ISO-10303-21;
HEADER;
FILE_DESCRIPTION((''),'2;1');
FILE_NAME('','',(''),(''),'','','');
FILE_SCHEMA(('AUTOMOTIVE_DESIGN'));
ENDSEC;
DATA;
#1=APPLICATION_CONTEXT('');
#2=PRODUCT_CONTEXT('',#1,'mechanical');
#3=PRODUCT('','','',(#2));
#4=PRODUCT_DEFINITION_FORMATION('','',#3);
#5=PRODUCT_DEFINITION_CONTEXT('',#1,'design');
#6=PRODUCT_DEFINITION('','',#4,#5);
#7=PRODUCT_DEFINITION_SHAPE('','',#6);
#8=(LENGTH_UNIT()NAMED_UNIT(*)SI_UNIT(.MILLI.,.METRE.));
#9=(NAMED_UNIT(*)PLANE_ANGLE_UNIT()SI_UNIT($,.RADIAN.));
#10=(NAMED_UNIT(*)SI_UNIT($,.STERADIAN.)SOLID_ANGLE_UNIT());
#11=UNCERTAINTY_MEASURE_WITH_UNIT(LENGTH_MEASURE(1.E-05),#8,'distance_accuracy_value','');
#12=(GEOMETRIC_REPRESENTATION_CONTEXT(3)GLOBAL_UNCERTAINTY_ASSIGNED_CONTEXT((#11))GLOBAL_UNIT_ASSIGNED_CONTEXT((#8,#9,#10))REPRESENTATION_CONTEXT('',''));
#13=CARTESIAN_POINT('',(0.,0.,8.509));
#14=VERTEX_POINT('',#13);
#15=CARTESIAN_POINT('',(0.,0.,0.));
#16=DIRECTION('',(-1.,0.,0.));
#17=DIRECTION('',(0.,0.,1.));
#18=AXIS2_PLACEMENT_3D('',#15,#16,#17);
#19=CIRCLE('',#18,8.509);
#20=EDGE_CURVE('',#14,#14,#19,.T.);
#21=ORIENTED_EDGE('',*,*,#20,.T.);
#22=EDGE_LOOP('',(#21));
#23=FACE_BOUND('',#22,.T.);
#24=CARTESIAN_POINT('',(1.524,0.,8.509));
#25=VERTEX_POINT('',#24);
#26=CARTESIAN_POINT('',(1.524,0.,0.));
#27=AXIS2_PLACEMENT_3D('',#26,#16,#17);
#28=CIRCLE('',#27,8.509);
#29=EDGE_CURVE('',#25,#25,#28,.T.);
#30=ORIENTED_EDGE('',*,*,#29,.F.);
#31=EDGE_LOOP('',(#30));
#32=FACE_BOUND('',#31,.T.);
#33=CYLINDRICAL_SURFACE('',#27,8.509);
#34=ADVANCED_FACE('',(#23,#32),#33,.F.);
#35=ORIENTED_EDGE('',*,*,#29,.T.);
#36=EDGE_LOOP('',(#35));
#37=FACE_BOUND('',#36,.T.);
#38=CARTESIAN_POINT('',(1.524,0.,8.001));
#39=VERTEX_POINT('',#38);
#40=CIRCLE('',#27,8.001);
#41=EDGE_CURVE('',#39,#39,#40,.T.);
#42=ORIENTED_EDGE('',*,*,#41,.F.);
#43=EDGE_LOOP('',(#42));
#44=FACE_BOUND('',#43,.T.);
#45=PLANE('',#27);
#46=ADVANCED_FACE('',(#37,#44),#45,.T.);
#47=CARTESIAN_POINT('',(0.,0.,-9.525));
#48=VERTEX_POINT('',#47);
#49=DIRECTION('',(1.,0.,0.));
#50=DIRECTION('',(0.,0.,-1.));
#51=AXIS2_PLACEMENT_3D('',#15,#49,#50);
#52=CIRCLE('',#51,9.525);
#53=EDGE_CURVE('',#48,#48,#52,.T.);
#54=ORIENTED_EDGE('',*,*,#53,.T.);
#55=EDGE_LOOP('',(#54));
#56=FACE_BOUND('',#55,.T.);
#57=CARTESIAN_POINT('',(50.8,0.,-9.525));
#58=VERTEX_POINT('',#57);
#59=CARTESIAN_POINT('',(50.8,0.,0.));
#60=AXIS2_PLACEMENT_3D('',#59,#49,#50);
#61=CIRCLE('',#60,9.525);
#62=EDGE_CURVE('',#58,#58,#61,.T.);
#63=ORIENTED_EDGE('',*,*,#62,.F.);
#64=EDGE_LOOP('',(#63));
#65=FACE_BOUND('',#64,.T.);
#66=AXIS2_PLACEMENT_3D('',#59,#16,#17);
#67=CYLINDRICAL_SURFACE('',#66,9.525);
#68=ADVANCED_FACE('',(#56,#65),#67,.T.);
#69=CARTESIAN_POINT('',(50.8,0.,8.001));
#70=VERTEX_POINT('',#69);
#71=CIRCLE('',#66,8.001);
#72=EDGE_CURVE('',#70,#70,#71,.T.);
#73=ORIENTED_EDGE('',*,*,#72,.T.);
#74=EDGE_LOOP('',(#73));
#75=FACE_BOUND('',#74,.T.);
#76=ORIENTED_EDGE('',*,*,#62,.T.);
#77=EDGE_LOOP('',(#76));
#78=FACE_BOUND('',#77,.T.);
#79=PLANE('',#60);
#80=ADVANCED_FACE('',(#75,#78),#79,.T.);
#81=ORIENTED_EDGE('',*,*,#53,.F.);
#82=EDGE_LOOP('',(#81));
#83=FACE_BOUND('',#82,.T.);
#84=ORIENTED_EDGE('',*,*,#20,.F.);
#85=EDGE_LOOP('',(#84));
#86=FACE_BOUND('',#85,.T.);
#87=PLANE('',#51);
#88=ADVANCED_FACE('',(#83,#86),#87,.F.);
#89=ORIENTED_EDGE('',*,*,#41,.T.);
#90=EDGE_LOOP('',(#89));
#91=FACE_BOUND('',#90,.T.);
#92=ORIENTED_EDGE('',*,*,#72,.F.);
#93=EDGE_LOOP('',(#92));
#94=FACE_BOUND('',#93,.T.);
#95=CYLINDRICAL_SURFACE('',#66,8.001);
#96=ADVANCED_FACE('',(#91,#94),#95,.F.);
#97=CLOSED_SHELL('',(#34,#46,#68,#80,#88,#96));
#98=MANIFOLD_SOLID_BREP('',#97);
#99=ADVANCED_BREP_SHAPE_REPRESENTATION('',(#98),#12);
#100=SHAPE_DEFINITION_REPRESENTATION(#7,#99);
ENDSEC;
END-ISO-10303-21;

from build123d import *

# Parameters (mm, degrees)
SKETCH1_R           = 9.525
BOSS_EXTRUDE1_DEPTH = 50.8
SKETCH3_R           = 8.509
CUT_EXTRUDE1_DEPTH  = 1.524
SKETCH4_R           = 8.001
CUT_EXTRUDE2_DEPTH  = 50.276


with BuildPart() as part:
    # Sketch1 → Boss-Extrude1 (new body)
    with BuildSketch(Plane(origin=(0, 0, 0), x_dir=(0, 0, -1), z_dir=(1, 0, 0))):
        Circle(SKETCH1_R)
    extrude(amount=BOSS_EXTRUDE1_DEPTH)

    # Sketch3 → Cut-Extrude1 (cut)
    with BuildSketch(Plane.ZY):
        Circle(SKETCH3_R)
    extrude(amount=-CUT_EXTRUDE1_DEPTH, mode=Mode.SUBTRACT)

    # Sketch4 → Cut-Extrude2 (cut, through all)
    with BuildSketch(Plane.ZY.offset(-1.524)):
        Circle(SKETCH4_R)
    extrude(amount=-CUT_EXTRUDE2_DEPTH, mode=Mode.SUBTRACT)


solid = part.part
